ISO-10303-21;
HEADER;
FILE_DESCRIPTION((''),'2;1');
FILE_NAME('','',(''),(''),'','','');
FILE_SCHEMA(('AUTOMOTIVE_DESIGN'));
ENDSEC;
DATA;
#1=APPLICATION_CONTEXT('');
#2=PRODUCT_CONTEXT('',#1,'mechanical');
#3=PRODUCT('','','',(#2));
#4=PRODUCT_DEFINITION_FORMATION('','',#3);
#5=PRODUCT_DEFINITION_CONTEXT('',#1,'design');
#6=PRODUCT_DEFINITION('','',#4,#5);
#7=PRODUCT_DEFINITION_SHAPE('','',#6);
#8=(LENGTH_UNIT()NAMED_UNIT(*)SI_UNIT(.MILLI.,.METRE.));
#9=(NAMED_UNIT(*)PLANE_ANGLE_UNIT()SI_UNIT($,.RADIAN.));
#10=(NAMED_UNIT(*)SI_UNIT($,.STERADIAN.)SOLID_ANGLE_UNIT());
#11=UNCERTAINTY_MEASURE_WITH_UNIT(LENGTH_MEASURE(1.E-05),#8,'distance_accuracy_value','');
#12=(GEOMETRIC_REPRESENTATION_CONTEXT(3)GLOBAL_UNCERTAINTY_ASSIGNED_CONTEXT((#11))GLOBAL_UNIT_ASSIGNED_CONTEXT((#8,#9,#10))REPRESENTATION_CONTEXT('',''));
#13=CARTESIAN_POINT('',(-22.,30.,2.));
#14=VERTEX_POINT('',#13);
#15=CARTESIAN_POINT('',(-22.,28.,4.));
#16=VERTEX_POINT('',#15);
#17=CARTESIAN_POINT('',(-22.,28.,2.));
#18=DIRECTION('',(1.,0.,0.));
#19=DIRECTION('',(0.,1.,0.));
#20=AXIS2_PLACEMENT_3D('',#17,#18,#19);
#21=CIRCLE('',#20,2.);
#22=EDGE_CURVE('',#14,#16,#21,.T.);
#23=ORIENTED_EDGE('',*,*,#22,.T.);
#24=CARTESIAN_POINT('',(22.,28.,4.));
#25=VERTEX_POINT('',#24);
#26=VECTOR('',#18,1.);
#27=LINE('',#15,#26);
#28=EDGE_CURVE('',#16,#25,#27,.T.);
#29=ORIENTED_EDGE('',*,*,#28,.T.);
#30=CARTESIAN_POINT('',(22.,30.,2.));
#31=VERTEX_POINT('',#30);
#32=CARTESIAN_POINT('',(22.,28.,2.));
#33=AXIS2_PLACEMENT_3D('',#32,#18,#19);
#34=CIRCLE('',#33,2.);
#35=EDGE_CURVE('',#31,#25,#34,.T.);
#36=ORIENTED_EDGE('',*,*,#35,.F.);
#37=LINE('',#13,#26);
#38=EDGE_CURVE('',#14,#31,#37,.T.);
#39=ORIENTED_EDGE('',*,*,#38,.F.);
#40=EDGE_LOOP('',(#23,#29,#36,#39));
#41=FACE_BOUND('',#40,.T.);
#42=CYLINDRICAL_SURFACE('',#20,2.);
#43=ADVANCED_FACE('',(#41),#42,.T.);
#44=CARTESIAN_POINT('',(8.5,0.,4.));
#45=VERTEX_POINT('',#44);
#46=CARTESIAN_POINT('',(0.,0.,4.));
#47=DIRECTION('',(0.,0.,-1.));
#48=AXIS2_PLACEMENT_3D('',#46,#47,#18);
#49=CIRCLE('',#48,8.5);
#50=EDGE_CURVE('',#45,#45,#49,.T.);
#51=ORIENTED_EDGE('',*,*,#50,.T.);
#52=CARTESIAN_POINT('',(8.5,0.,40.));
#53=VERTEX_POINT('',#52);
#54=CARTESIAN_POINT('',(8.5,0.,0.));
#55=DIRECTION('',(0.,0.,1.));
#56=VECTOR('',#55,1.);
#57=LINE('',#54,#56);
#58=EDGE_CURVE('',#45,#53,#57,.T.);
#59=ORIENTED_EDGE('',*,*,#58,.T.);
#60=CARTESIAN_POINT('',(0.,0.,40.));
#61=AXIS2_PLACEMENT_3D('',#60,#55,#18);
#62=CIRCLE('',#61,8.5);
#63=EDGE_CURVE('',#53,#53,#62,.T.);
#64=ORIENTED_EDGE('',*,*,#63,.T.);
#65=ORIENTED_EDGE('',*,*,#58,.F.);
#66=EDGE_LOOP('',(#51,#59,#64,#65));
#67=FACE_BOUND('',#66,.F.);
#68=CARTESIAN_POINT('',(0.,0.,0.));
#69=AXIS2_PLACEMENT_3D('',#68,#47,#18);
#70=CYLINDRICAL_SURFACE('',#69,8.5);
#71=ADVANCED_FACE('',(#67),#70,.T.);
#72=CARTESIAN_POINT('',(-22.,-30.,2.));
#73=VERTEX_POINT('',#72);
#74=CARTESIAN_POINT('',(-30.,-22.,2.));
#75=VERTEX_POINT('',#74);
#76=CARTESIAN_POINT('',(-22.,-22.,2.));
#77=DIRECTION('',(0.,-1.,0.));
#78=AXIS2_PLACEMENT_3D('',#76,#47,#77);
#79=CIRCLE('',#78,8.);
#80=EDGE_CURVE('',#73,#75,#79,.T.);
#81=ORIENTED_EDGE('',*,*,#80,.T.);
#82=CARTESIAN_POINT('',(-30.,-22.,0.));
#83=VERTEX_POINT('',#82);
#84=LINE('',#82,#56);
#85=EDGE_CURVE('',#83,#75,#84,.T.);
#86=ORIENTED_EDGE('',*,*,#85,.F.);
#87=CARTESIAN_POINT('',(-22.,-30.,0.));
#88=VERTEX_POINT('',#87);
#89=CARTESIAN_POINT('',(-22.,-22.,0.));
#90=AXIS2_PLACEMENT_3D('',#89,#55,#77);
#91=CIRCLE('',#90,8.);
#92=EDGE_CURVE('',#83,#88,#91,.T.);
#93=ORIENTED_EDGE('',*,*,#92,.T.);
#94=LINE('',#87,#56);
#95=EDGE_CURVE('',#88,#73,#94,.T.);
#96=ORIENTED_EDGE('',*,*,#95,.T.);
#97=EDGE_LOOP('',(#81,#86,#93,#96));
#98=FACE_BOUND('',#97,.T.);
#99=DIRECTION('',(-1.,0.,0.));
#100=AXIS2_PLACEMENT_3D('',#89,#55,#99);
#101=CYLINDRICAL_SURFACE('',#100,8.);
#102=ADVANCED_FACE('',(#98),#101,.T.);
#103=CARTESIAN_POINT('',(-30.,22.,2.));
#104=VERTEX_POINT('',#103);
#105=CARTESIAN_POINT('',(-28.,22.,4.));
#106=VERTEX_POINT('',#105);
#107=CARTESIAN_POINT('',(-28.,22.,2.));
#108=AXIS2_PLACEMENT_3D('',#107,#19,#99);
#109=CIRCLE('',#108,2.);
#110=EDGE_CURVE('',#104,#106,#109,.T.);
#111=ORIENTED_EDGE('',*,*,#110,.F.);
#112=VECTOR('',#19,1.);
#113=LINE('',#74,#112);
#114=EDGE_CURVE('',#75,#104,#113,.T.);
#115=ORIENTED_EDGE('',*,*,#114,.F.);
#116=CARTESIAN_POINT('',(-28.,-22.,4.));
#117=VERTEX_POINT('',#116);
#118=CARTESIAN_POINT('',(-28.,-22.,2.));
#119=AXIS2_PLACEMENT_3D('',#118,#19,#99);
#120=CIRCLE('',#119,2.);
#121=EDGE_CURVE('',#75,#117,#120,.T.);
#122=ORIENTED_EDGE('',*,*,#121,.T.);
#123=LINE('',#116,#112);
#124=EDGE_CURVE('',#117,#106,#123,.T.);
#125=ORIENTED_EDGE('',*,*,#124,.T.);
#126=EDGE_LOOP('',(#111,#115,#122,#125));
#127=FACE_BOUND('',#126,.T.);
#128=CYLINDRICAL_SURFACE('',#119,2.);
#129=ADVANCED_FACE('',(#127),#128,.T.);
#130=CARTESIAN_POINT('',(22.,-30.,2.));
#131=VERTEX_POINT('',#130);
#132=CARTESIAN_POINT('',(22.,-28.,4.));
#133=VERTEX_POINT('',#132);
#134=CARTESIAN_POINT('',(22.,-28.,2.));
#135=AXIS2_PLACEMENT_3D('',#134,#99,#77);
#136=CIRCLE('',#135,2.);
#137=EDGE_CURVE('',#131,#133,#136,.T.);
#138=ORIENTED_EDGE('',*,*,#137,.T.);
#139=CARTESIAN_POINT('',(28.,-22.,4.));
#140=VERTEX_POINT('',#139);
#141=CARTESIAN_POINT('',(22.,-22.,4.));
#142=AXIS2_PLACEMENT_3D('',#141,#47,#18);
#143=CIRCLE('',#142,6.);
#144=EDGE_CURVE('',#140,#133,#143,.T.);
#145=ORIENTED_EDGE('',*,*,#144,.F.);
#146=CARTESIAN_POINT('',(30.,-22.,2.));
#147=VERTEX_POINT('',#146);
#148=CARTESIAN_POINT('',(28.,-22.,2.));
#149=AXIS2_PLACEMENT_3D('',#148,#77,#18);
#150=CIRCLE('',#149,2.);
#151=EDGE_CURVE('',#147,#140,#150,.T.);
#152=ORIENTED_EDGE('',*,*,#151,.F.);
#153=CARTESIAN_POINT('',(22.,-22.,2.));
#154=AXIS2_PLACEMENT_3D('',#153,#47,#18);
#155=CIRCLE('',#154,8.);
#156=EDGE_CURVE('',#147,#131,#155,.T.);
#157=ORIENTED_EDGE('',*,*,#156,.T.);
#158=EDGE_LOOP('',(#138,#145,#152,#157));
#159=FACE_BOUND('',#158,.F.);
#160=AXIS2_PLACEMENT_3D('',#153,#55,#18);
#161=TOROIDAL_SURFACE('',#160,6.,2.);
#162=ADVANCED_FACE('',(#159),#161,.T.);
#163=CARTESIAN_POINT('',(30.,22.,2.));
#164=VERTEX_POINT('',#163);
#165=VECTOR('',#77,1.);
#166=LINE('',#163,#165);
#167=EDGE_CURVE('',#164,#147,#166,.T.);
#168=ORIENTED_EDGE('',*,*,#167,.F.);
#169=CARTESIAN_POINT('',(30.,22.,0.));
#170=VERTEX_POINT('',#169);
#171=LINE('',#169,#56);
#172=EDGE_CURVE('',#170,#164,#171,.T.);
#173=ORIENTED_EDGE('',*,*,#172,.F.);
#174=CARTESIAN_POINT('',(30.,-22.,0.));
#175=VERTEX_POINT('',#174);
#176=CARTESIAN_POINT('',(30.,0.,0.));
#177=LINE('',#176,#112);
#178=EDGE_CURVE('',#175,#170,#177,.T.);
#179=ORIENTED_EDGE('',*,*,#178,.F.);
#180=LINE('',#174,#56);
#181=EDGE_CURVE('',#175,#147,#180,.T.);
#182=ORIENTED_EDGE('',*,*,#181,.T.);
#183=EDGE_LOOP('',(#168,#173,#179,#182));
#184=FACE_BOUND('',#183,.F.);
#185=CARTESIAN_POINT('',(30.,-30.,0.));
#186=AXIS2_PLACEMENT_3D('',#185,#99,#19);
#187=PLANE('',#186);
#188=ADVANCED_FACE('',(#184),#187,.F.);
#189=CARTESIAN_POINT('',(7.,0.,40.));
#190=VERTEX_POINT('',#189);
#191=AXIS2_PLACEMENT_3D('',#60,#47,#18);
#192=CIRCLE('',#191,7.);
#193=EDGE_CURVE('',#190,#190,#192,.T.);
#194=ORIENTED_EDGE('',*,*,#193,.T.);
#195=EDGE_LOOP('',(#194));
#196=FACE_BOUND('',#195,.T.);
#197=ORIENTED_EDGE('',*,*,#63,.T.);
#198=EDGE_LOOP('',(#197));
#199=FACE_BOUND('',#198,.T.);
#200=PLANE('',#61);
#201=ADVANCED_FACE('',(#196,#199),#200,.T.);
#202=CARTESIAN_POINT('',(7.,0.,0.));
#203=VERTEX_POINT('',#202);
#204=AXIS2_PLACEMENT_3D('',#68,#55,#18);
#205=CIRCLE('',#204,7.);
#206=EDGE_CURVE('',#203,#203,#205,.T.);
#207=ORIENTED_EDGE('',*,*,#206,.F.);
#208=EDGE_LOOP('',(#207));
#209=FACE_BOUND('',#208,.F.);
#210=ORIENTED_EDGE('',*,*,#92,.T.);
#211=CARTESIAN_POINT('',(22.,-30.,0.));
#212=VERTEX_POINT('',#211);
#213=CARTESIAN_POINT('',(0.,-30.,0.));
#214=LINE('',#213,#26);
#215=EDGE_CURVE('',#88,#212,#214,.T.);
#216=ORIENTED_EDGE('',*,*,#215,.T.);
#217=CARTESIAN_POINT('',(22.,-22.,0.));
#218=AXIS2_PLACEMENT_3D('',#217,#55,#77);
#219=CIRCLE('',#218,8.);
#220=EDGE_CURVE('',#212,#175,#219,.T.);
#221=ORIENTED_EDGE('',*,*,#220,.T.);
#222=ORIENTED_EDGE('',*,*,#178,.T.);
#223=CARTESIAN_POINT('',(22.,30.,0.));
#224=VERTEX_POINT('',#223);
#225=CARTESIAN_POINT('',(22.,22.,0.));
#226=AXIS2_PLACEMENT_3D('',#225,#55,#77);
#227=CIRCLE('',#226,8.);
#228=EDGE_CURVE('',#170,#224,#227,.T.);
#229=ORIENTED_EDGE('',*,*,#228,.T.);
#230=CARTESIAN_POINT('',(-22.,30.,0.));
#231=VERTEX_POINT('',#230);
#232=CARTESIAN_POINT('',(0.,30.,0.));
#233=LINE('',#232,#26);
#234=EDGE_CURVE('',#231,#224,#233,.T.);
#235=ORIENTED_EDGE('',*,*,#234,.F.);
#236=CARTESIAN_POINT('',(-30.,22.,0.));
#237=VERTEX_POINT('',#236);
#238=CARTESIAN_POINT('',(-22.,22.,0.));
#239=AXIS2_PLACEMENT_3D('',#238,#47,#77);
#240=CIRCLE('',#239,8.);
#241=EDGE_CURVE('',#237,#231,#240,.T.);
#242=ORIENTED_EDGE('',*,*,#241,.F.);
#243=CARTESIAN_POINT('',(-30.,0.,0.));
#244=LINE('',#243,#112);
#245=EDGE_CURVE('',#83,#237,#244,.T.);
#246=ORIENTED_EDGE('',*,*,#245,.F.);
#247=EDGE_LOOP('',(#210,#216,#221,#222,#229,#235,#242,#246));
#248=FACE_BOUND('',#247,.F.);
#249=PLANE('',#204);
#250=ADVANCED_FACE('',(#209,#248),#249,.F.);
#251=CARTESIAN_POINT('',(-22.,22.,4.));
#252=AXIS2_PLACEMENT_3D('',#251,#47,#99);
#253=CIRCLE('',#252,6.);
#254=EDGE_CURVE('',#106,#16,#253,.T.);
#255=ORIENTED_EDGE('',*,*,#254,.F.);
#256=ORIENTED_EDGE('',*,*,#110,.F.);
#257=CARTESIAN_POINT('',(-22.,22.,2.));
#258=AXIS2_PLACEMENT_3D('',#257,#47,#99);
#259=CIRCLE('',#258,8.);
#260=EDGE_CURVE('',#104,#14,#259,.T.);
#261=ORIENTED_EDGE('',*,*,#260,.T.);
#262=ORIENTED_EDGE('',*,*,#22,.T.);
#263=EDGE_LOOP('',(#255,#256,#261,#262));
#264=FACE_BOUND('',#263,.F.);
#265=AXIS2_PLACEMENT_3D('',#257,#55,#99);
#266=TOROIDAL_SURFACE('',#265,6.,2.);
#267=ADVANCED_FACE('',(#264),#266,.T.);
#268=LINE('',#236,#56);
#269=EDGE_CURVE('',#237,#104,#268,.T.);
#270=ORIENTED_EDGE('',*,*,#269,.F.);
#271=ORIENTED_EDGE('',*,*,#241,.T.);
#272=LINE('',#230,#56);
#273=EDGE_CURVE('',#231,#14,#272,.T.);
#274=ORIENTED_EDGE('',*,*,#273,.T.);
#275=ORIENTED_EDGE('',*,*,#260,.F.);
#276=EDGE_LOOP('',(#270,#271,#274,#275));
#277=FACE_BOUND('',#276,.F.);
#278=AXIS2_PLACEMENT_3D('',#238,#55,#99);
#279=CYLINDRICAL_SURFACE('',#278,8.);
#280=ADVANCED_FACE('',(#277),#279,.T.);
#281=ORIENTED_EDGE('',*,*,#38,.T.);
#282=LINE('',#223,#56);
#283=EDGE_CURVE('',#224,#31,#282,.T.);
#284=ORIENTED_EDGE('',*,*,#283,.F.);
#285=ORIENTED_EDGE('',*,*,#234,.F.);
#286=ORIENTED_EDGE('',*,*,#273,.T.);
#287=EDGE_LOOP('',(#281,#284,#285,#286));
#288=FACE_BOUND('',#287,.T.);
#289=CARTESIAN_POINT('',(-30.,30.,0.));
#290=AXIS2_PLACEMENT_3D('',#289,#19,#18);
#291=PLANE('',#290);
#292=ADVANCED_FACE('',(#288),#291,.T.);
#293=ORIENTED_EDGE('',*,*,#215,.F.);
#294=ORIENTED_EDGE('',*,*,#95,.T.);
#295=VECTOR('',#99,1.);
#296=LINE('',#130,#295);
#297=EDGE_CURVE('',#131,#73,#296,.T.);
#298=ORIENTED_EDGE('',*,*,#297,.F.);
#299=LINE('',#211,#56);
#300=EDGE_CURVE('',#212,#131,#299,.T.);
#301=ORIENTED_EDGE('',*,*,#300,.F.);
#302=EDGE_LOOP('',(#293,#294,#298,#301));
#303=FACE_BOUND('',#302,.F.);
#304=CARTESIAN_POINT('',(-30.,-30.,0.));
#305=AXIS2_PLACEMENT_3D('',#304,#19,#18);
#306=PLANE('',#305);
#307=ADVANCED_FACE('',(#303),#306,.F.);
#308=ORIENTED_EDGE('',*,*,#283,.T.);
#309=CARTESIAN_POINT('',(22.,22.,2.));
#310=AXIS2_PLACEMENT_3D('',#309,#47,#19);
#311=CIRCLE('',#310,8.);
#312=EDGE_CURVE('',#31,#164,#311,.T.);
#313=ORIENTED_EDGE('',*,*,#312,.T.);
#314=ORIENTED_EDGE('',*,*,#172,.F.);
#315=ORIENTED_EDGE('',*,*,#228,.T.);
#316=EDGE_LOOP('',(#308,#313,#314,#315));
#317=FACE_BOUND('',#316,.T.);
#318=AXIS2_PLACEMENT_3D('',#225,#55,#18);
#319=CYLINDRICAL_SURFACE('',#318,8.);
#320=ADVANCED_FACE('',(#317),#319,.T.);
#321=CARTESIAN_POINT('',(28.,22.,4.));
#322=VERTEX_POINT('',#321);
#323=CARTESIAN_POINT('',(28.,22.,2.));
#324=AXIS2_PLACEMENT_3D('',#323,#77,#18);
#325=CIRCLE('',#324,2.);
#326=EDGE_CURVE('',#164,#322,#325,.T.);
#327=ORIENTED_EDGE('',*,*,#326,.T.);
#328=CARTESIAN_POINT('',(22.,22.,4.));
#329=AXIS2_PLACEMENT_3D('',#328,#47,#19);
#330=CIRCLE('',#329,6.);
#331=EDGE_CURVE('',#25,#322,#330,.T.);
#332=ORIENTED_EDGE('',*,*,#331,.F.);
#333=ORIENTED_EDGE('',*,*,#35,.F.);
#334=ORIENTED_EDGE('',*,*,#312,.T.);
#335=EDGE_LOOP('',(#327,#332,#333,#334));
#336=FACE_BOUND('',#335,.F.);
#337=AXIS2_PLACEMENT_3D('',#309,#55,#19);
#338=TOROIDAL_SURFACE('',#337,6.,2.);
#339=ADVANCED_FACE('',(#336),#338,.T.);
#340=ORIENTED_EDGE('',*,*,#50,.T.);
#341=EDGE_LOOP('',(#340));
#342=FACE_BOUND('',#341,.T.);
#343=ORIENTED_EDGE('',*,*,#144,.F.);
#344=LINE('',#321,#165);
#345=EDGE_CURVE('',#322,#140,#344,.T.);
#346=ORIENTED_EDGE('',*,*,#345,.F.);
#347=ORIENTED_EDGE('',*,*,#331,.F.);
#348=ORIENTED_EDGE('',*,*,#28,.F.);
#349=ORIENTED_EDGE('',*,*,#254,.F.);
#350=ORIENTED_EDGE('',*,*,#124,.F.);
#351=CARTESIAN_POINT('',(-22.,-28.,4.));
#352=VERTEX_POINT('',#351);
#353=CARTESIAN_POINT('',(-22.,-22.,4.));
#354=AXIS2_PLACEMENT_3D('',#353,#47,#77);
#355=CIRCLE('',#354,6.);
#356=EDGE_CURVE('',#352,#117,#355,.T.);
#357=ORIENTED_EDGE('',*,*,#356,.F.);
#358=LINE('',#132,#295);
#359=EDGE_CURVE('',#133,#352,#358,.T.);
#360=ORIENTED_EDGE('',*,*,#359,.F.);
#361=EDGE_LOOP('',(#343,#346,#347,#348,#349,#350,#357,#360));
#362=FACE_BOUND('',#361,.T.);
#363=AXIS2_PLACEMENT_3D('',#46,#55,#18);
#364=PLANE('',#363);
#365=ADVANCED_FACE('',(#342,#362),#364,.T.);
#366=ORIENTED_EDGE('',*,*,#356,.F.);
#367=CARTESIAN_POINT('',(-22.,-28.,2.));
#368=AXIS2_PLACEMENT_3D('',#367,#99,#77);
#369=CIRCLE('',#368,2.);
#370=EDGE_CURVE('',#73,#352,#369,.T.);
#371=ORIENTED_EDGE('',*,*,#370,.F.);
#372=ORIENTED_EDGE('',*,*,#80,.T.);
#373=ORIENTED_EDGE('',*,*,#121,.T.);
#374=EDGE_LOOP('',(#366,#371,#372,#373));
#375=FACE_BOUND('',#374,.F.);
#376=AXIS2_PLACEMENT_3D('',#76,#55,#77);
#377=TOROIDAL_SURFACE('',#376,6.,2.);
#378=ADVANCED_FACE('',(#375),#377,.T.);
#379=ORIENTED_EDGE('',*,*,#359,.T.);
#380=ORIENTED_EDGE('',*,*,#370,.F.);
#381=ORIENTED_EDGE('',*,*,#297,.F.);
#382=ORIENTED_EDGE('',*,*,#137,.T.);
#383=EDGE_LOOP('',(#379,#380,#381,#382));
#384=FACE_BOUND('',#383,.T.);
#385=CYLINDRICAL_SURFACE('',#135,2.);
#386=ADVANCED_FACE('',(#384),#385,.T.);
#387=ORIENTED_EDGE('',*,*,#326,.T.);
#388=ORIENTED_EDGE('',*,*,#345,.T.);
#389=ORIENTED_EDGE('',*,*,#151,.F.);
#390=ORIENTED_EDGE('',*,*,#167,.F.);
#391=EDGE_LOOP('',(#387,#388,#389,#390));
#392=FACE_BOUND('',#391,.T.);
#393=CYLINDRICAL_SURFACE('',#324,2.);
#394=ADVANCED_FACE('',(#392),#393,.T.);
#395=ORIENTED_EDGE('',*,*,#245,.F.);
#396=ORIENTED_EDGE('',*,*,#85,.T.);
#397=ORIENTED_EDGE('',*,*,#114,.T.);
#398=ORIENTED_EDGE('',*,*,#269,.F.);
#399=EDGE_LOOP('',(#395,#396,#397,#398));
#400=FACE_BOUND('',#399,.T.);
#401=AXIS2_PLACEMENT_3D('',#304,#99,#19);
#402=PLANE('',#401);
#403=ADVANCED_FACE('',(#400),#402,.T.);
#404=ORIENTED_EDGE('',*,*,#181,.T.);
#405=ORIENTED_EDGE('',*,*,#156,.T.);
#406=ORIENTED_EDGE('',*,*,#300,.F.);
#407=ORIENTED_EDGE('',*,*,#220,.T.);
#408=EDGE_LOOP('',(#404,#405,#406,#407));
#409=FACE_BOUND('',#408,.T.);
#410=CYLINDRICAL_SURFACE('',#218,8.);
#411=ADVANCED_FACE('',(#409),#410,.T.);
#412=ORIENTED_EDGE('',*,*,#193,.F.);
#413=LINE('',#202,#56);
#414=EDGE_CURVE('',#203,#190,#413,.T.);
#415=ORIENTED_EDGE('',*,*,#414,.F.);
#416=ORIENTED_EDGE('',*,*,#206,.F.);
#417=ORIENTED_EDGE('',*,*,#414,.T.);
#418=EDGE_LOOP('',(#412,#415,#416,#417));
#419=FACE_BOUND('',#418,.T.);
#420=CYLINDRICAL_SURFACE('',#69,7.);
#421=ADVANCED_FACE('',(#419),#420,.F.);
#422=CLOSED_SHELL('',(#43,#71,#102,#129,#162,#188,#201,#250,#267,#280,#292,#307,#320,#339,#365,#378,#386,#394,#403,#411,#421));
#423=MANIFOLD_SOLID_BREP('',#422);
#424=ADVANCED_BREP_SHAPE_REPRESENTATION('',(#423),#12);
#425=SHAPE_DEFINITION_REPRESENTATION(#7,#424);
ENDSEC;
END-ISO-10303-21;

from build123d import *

# Parameters (mm, degrees)
CYLINDER001_R     = 7
CYLINDER001_DEPTH = 50
CYLINDER_R        = 8.5
CYLINDER_DEPTH    = 40
BOX_W             = 60
BOX_H             = 60
BOX_DEPTH         = 4
FILLET_R          = 8
FILLET001_R       = 2


with BuildPart() as cylinder001:
    # Cylinder001 → Cylinder001 (new body)
    with BuildSketch(Plane.XY):
        Circle(CYLINDER001_R)
    extrude(amount=CYLINDER001_DEPTH)


with BuildPart() as cylinder:
    # Cylinder → Cylinder (new body)
    with BuildSketch(Plane.XY):
        Circle(CYLINDER_R)
    extrude(amount=CYLINDER_DEPTH)


with BuildPart() as cut:
    # Box → Box (new body)
    with BuildSketch(Plane(origin=(-30, -30, 0), x_dir=(1, 0, 0), z_dir=(0, 0, 1))):
        with Locations((30, 30)):
            Rectangle(BOX_W, BOX_H)
    extrude(amount=BOX_DEPTH)

    # Fillet
    fillet_edges = [cut.edges().sort_by_distance(p)[0] for p in [
        (-30, -30, 2),
        (-30, 30, 2),
        (30, -30, 2),
        (30, 30, 2),
    ]]
    fillet(fillet_edges, radius=FILLET_R)

    # Fillet001
    fillet001_edges = [cut.edges().sort_by_distance(p)[0] for p in [
        (-30, 0, 4),
        (-27.656854, -27.656854, 4),
        (-27.656854, 27.656854, 4),
        (0, -30, 4),
        (0, 30, 4),
        (27.656854, -27.656854, 4),
        (27.656854, 27.656854, 4),
        (30, 0, 4),
    ]]
    fillet(fillet001_edges, radius=FILLET001_R)

    # Fusion: union Cylinder
    add(cylinder.part)

    # Cut: cut Cylinder001
    add(cylinder001.part, mode=Mode.SUBTRACT)


solid = cut.part
